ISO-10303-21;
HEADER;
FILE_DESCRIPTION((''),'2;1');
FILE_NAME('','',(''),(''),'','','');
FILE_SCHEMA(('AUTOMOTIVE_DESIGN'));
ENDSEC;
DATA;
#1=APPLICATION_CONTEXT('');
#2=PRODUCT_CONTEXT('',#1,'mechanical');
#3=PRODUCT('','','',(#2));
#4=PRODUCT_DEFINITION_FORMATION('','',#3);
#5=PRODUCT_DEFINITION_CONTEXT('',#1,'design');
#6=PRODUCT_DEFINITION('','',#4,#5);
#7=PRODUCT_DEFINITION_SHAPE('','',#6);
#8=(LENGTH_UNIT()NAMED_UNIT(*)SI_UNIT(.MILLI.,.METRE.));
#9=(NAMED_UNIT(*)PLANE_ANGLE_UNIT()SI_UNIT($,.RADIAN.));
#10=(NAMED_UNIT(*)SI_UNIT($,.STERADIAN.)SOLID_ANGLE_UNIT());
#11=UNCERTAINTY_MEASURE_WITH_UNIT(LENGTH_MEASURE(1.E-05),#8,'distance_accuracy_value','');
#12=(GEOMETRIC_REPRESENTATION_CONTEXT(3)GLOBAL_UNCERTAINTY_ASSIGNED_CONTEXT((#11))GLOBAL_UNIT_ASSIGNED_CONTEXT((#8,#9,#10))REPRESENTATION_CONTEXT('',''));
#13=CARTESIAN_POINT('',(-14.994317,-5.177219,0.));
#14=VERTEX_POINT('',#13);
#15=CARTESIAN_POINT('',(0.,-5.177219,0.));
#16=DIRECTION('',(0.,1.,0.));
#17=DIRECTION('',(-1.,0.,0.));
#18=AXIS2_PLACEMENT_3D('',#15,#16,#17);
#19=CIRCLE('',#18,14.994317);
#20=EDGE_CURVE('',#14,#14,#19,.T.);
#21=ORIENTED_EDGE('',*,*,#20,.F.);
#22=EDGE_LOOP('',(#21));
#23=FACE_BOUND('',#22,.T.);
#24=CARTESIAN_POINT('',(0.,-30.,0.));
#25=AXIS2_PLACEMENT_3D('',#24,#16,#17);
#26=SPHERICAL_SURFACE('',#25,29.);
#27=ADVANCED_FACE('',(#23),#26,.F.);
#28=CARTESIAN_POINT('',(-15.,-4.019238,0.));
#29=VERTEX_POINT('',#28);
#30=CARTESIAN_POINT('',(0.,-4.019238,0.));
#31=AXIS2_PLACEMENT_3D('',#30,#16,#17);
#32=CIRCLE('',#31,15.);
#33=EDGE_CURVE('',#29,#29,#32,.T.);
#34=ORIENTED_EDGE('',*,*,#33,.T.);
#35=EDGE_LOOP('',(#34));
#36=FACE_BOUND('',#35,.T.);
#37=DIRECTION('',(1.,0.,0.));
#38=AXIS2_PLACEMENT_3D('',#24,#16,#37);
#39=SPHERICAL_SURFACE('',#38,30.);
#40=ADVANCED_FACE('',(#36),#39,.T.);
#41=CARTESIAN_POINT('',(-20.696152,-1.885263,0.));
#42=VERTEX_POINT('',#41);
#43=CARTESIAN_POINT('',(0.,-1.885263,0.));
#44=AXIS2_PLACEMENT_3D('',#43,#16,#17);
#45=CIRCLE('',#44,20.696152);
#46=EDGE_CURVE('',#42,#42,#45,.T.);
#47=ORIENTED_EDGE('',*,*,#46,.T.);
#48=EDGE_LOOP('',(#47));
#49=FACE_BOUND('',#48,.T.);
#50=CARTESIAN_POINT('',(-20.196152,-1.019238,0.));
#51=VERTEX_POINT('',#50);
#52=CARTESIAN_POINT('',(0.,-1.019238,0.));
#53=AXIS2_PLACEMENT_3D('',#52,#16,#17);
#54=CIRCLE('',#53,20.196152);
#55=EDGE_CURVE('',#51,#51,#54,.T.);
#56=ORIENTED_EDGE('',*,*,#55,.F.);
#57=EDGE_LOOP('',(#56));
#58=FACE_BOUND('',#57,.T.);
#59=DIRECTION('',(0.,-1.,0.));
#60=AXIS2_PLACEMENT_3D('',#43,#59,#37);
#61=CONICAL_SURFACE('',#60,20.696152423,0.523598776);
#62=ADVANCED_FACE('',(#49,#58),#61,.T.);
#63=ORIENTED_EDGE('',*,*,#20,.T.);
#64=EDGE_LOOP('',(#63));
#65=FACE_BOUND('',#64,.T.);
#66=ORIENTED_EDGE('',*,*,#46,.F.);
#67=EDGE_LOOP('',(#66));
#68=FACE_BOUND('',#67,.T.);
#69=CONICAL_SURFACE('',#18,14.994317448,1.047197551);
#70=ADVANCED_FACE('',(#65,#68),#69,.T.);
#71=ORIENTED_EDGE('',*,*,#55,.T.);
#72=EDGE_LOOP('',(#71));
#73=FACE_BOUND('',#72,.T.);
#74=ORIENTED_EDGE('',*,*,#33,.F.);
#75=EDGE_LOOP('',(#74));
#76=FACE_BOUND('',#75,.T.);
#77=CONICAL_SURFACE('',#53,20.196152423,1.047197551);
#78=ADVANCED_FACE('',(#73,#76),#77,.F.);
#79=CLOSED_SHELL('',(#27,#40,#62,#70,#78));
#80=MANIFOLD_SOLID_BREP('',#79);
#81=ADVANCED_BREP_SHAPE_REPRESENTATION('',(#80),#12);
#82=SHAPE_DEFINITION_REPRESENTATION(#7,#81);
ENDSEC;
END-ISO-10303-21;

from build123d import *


with BuildPart() as part:
    # Skizze1 → Rotation1 (revolve)
    with BuildSketch(Plane.XY, mode=Mode.PRIVATE) as rotation1_sk:
        with BuildLine():
            Line((15, -4.019237886), (20.196152423, -1.019237886))
            Line((20.196152423, -1.019237886), (20.696152423, -1.88526329))
            Line((20.696152423, -1.88526329), (14.994317448, -5.177219248))
            ThreePointArc((14.994317448, -5.177219248), (7.782652446, -2.063816995), (0, -1))
            Line((0, -1), (0, 0))
            ThreePointArc((0, 0), (7.764571353, -1.022225211), (15, -4.019237886))
        make_face()
    revolve(rotation1_sk.sketch.rotate(Axis((0, 0, 0), (0, -1, 0)), 180), axis=Axis((0, 0, 0), (0, -1, 0)))  # turned: the seam where the file's is


solid = part.part
